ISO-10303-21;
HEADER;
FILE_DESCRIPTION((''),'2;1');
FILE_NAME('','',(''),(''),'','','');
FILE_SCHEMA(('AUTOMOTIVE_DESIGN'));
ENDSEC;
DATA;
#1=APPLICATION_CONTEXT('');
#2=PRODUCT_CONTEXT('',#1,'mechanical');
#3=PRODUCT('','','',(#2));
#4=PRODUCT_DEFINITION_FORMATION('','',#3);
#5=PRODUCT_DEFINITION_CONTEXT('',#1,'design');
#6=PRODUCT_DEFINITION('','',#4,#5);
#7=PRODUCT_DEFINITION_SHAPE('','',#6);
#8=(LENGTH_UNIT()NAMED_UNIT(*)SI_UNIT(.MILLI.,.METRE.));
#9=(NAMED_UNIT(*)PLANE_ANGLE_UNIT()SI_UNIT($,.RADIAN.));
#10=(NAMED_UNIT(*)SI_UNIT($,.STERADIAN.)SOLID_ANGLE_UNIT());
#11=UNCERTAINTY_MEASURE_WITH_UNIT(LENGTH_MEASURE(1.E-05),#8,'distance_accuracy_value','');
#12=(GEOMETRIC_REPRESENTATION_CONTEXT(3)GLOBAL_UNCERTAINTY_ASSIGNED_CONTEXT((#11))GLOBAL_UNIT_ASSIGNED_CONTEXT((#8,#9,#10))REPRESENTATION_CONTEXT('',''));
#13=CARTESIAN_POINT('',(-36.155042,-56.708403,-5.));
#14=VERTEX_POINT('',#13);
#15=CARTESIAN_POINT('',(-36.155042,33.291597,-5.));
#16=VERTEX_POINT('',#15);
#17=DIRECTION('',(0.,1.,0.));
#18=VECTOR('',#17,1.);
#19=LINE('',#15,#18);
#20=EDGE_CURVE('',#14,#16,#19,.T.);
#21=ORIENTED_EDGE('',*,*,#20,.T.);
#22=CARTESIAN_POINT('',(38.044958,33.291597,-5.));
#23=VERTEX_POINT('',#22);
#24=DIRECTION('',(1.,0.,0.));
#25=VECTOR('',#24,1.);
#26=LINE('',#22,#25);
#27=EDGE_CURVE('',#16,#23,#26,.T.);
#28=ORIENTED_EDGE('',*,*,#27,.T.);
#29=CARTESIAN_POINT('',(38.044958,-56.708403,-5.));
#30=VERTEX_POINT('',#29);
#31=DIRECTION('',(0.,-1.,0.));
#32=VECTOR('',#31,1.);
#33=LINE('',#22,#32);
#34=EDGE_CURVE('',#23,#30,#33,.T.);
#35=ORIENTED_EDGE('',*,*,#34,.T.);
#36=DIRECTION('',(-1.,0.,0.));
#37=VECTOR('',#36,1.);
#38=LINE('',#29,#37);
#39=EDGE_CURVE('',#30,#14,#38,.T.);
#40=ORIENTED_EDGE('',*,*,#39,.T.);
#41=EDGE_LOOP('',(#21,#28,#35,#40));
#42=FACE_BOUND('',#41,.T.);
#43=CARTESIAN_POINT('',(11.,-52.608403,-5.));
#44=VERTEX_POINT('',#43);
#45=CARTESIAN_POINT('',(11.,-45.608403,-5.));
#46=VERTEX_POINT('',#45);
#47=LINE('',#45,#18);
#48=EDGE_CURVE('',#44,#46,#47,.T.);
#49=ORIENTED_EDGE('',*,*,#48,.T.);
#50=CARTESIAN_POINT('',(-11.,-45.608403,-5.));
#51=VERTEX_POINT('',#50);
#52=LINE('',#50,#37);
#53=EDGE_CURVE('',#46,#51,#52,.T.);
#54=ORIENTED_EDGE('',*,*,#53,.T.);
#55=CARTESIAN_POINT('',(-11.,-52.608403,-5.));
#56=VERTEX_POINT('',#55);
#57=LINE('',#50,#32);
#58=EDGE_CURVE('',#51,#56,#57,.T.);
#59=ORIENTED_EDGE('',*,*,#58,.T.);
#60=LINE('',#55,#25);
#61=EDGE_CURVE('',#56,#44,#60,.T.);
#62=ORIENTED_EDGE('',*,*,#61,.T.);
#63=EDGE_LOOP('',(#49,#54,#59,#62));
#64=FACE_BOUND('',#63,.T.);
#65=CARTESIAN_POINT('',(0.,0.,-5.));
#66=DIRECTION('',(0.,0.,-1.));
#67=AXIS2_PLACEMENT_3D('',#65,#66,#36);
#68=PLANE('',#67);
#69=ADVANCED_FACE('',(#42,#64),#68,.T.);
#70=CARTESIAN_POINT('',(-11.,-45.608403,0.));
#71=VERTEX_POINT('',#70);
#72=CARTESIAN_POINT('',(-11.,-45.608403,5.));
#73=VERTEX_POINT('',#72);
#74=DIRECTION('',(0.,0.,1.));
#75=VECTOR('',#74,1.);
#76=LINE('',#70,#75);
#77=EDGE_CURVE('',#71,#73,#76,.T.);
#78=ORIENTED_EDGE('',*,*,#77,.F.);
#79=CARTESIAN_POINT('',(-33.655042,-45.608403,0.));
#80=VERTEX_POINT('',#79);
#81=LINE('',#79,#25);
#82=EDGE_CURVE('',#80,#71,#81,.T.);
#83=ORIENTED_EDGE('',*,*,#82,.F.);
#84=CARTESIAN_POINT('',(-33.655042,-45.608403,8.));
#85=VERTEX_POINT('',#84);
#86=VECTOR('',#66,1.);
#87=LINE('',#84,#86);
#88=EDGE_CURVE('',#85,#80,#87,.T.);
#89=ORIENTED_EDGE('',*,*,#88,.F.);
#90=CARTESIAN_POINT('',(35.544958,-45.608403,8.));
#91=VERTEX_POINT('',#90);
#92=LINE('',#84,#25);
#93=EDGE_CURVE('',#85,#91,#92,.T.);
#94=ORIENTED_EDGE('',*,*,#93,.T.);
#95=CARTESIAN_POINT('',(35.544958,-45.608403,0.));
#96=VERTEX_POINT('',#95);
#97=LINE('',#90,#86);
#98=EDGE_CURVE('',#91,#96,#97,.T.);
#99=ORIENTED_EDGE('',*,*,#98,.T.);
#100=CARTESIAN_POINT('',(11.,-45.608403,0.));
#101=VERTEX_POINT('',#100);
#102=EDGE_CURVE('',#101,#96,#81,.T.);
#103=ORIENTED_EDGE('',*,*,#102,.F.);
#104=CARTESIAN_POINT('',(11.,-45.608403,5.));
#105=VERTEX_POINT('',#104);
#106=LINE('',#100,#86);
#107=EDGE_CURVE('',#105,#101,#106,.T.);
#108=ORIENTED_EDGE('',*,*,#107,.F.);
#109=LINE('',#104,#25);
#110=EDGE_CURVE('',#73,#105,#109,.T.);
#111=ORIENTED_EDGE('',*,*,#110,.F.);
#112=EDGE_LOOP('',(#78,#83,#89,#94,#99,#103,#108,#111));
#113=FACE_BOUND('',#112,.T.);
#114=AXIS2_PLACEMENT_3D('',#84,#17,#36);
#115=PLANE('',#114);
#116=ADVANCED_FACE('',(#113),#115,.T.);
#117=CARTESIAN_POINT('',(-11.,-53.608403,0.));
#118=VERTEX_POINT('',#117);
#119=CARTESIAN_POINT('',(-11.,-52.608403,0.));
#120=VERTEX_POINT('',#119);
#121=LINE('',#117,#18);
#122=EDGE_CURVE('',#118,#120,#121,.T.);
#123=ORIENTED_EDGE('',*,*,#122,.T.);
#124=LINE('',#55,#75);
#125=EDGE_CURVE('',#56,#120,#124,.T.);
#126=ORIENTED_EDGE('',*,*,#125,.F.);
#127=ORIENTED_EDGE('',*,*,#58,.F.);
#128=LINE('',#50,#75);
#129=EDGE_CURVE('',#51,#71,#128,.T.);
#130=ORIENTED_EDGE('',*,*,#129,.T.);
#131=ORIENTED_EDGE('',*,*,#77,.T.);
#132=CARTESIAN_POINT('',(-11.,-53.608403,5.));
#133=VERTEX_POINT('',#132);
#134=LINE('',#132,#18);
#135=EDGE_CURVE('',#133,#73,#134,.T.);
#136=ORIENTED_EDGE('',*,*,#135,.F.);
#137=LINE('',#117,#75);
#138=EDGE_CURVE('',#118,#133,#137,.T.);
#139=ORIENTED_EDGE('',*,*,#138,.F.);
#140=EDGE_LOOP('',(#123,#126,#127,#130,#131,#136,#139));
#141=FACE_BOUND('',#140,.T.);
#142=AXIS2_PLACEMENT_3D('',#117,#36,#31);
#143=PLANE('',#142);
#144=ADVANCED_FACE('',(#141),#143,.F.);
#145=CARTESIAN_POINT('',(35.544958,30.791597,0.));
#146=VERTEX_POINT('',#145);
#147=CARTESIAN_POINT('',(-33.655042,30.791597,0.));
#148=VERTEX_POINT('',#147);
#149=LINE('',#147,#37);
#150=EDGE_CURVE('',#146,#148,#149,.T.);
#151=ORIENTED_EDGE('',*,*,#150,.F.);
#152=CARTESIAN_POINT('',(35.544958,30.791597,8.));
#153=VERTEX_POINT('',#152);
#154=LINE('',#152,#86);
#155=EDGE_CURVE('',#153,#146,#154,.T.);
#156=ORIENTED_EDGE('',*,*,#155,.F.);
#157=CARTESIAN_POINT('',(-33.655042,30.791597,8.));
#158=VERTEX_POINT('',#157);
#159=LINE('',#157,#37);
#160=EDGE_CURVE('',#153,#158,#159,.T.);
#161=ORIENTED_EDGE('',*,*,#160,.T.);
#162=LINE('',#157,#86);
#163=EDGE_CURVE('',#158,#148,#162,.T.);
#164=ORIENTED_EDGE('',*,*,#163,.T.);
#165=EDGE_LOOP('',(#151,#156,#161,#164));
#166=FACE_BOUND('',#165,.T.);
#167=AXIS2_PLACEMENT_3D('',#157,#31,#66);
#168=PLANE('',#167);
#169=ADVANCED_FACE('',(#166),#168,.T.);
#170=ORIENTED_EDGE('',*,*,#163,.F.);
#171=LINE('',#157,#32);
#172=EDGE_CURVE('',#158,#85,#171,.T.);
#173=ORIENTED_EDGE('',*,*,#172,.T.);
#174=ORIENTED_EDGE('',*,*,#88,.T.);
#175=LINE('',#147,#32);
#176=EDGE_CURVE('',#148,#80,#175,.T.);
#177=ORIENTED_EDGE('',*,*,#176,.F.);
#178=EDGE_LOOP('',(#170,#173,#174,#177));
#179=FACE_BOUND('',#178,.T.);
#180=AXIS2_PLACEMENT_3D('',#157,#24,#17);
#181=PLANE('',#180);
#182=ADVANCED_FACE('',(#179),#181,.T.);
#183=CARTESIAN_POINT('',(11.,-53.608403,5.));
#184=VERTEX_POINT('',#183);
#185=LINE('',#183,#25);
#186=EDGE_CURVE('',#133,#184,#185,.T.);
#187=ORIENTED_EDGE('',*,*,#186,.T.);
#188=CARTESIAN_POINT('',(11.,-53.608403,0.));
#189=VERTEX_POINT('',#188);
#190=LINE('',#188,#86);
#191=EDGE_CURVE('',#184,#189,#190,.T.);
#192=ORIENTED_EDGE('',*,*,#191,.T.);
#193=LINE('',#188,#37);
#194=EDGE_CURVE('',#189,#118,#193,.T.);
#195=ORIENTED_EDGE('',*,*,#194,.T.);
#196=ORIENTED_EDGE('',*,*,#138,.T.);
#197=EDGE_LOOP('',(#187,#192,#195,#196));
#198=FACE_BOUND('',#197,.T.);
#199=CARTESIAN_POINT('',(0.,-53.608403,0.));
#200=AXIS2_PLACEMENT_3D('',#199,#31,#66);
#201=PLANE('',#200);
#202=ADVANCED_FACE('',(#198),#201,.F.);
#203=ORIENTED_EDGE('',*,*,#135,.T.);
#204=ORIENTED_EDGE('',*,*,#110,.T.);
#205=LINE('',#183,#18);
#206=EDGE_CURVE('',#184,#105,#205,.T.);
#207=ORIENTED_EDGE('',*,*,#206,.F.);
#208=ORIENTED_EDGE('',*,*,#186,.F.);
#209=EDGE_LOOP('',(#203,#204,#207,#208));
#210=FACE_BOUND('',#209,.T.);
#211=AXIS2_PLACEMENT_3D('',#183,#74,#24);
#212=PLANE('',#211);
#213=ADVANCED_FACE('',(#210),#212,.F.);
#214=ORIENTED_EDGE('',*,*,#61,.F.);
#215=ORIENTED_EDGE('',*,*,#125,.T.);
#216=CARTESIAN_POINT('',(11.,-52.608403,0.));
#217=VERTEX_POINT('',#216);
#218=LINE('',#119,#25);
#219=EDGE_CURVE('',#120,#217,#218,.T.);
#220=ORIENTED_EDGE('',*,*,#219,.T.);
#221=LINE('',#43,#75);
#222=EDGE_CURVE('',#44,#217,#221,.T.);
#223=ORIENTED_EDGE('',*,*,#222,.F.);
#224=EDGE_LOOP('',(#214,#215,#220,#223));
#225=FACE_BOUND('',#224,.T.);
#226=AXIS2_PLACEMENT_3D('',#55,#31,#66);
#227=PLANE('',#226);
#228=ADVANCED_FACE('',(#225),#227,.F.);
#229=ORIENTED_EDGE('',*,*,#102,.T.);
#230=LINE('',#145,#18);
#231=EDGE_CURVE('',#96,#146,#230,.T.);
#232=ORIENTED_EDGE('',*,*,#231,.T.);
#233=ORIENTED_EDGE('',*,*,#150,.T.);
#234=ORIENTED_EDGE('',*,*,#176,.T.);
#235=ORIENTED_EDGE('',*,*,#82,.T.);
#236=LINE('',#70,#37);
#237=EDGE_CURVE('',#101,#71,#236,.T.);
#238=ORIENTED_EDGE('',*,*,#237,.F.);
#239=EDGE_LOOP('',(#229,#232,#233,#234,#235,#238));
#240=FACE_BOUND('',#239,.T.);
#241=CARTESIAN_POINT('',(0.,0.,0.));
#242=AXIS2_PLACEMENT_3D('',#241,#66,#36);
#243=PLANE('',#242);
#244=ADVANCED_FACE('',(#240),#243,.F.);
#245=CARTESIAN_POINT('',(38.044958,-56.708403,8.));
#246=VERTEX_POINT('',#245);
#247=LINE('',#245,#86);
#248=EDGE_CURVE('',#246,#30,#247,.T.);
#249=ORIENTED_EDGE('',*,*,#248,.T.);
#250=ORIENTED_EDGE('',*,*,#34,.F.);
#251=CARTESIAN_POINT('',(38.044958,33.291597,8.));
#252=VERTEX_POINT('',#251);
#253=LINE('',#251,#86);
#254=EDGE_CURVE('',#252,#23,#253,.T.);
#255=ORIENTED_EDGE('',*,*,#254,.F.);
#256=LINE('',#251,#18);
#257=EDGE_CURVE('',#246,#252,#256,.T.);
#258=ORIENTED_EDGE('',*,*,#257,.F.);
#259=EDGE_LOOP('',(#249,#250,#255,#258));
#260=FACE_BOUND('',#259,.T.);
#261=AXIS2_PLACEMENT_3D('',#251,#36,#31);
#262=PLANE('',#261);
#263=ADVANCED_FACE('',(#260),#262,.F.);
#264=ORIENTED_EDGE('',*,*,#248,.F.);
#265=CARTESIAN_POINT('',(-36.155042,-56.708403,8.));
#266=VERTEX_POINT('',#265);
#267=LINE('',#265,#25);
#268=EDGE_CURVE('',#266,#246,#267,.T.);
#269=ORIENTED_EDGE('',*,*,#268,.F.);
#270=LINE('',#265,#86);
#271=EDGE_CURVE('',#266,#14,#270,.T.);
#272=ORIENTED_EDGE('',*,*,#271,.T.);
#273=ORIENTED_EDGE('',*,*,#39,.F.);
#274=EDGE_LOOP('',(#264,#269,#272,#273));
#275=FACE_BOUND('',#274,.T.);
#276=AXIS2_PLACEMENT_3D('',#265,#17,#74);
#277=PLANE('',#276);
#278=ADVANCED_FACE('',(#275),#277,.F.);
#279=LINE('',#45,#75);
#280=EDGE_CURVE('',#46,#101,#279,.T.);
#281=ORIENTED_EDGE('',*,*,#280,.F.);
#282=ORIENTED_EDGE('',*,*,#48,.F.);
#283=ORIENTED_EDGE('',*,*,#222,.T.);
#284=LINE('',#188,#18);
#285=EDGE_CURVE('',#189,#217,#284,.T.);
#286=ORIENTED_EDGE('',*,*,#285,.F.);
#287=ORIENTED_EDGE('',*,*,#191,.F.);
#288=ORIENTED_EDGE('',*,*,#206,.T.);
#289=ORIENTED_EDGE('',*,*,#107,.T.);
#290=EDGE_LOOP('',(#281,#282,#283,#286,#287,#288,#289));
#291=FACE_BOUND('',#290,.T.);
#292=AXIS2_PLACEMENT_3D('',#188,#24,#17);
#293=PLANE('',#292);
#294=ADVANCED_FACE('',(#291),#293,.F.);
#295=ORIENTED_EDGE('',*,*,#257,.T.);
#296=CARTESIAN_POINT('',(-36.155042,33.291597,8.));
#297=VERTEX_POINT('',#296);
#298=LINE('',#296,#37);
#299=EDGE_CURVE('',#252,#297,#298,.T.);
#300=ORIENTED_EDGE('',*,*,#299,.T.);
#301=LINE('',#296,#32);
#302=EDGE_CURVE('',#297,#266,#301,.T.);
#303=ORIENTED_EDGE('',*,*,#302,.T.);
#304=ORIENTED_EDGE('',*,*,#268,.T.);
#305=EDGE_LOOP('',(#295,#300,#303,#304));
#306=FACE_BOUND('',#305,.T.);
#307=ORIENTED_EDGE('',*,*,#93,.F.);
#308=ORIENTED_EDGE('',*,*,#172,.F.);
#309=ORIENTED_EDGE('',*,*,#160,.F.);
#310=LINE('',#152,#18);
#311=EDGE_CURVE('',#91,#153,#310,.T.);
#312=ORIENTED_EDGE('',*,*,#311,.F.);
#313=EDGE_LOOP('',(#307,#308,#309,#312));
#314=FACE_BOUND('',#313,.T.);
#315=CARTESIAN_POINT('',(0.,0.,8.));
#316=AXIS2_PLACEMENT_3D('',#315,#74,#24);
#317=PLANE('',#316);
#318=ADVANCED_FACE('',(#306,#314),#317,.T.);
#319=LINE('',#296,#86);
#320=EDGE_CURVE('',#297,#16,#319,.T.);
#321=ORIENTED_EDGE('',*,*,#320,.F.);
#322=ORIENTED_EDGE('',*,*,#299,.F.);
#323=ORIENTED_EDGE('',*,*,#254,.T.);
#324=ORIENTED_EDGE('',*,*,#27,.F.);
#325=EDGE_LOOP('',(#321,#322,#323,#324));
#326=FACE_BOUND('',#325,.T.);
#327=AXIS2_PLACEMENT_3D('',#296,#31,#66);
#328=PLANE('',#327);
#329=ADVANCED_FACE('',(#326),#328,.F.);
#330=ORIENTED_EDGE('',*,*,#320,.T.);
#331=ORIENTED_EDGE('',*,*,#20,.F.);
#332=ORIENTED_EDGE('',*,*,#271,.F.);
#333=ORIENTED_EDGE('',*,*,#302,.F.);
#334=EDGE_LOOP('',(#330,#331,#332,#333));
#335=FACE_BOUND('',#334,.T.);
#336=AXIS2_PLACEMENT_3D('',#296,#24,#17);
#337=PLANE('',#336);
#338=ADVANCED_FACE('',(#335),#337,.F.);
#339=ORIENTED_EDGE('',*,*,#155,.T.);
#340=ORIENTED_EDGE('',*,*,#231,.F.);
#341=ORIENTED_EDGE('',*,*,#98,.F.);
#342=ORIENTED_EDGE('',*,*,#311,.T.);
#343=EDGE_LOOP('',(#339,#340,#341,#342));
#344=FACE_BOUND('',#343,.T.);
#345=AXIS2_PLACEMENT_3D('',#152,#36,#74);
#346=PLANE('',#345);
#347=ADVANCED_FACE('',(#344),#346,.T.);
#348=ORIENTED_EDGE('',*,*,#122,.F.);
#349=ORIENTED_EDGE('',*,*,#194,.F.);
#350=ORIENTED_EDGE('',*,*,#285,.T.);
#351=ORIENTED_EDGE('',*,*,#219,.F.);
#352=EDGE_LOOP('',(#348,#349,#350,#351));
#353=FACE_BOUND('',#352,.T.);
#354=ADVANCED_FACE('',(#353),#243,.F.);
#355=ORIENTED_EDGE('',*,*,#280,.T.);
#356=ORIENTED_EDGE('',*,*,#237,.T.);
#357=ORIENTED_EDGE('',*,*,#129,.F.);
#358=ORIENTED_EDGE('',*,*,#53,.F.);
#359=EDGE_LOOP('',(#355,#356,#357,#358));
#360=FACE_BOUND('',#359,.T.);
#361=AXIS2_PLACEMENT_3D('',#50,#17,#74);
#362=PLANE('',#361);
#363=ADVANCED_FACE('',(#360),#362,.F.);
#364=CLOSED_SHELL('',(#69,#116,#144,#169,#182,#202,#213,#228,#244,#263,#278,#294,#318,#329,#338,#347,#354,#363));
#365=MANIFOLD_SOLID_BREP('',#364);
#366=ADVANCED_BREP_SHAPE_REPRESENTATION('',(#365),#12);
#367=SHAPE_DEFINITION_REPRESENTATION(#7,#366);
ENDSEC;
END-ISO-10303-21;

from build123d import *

# Parameters (mm, degrees)
SKETCH2_W           = 74.2
SKETCH2_H           = 90
SKETCH2_W_2         = 69.2
SKETCH2_H_2         = 76.4
BOSS_EXTRUDE1_DEPTH = 8
SKETCH3_W           = 74.2
SKETCH3_H           = 90
BOSS_EXTRUDE2_DEPTH = 5
SKETCH5_W           = 22
SKETCH5_H           = 5
CUT_EXTRUDE1_DEPTH  = 8
SKETCH9_W           = 22
SKETCH9_H           = 7
CUT_EXTRUDE2_DEPTH  = 69.755085919


with BuildPart() as part:
    # Sketch2 → Boss-Extrude1 (new body)
    with BuildSketch(Plane.XY):
        with Locations((0.944957983, -11.708403361)):
            Rectangle(SKETCH2_W, SKETCH2_H)
        with Locations((0.944957983, -7.408403361)):
            Rectangle(SKETCH2_W_2, SKETCH2_H_2, mode=Mode.SUBTRACT)
    extrude(amount=BOSS_EXTRUDE1_DEPTH)

    # Sketch3 → Boss-Extrude2 (add)
    with BuildSketch(Plane(origin=(0, 0, 0), x_dir=(-1, 0, 0), z_dir=(0, 0, -1))):
        with Locations((-0.944957983, -11.708403361)):
            Rectangle(SKETCH3_W, SKETCH3_H)
    extrude(amount=BOSS_EXTRUDE2_DEPTH)

    # Sketch5 → Cut-Extrude1 (cut)
    with BuildSketch(Plane(origin=(0, -45.608403361, 0), x_dir=(1, 0, 0), z_dir=(0, 1, 0))):
        with Locations((0, -2.5)):
            Rectangle(SKETCH5_W, SKETCH5_H)
    extrude(amount=-CUT_EXTRUDE1_DEPTH, mode=Mode.SUBTRACT)

    # Sketch9 → Cut-Extrude2 (cut, through all)
    with BuildSketch(Plane.XY):
        with Locations((0, -49.108403361)):
            Rectangle(SKETCH9_W, SKETCH9_H)
    extrude(amount=-CUT_EXTRUDE2_DEPTH, mode=Mode.SUBTRACT)


solid = part.part
